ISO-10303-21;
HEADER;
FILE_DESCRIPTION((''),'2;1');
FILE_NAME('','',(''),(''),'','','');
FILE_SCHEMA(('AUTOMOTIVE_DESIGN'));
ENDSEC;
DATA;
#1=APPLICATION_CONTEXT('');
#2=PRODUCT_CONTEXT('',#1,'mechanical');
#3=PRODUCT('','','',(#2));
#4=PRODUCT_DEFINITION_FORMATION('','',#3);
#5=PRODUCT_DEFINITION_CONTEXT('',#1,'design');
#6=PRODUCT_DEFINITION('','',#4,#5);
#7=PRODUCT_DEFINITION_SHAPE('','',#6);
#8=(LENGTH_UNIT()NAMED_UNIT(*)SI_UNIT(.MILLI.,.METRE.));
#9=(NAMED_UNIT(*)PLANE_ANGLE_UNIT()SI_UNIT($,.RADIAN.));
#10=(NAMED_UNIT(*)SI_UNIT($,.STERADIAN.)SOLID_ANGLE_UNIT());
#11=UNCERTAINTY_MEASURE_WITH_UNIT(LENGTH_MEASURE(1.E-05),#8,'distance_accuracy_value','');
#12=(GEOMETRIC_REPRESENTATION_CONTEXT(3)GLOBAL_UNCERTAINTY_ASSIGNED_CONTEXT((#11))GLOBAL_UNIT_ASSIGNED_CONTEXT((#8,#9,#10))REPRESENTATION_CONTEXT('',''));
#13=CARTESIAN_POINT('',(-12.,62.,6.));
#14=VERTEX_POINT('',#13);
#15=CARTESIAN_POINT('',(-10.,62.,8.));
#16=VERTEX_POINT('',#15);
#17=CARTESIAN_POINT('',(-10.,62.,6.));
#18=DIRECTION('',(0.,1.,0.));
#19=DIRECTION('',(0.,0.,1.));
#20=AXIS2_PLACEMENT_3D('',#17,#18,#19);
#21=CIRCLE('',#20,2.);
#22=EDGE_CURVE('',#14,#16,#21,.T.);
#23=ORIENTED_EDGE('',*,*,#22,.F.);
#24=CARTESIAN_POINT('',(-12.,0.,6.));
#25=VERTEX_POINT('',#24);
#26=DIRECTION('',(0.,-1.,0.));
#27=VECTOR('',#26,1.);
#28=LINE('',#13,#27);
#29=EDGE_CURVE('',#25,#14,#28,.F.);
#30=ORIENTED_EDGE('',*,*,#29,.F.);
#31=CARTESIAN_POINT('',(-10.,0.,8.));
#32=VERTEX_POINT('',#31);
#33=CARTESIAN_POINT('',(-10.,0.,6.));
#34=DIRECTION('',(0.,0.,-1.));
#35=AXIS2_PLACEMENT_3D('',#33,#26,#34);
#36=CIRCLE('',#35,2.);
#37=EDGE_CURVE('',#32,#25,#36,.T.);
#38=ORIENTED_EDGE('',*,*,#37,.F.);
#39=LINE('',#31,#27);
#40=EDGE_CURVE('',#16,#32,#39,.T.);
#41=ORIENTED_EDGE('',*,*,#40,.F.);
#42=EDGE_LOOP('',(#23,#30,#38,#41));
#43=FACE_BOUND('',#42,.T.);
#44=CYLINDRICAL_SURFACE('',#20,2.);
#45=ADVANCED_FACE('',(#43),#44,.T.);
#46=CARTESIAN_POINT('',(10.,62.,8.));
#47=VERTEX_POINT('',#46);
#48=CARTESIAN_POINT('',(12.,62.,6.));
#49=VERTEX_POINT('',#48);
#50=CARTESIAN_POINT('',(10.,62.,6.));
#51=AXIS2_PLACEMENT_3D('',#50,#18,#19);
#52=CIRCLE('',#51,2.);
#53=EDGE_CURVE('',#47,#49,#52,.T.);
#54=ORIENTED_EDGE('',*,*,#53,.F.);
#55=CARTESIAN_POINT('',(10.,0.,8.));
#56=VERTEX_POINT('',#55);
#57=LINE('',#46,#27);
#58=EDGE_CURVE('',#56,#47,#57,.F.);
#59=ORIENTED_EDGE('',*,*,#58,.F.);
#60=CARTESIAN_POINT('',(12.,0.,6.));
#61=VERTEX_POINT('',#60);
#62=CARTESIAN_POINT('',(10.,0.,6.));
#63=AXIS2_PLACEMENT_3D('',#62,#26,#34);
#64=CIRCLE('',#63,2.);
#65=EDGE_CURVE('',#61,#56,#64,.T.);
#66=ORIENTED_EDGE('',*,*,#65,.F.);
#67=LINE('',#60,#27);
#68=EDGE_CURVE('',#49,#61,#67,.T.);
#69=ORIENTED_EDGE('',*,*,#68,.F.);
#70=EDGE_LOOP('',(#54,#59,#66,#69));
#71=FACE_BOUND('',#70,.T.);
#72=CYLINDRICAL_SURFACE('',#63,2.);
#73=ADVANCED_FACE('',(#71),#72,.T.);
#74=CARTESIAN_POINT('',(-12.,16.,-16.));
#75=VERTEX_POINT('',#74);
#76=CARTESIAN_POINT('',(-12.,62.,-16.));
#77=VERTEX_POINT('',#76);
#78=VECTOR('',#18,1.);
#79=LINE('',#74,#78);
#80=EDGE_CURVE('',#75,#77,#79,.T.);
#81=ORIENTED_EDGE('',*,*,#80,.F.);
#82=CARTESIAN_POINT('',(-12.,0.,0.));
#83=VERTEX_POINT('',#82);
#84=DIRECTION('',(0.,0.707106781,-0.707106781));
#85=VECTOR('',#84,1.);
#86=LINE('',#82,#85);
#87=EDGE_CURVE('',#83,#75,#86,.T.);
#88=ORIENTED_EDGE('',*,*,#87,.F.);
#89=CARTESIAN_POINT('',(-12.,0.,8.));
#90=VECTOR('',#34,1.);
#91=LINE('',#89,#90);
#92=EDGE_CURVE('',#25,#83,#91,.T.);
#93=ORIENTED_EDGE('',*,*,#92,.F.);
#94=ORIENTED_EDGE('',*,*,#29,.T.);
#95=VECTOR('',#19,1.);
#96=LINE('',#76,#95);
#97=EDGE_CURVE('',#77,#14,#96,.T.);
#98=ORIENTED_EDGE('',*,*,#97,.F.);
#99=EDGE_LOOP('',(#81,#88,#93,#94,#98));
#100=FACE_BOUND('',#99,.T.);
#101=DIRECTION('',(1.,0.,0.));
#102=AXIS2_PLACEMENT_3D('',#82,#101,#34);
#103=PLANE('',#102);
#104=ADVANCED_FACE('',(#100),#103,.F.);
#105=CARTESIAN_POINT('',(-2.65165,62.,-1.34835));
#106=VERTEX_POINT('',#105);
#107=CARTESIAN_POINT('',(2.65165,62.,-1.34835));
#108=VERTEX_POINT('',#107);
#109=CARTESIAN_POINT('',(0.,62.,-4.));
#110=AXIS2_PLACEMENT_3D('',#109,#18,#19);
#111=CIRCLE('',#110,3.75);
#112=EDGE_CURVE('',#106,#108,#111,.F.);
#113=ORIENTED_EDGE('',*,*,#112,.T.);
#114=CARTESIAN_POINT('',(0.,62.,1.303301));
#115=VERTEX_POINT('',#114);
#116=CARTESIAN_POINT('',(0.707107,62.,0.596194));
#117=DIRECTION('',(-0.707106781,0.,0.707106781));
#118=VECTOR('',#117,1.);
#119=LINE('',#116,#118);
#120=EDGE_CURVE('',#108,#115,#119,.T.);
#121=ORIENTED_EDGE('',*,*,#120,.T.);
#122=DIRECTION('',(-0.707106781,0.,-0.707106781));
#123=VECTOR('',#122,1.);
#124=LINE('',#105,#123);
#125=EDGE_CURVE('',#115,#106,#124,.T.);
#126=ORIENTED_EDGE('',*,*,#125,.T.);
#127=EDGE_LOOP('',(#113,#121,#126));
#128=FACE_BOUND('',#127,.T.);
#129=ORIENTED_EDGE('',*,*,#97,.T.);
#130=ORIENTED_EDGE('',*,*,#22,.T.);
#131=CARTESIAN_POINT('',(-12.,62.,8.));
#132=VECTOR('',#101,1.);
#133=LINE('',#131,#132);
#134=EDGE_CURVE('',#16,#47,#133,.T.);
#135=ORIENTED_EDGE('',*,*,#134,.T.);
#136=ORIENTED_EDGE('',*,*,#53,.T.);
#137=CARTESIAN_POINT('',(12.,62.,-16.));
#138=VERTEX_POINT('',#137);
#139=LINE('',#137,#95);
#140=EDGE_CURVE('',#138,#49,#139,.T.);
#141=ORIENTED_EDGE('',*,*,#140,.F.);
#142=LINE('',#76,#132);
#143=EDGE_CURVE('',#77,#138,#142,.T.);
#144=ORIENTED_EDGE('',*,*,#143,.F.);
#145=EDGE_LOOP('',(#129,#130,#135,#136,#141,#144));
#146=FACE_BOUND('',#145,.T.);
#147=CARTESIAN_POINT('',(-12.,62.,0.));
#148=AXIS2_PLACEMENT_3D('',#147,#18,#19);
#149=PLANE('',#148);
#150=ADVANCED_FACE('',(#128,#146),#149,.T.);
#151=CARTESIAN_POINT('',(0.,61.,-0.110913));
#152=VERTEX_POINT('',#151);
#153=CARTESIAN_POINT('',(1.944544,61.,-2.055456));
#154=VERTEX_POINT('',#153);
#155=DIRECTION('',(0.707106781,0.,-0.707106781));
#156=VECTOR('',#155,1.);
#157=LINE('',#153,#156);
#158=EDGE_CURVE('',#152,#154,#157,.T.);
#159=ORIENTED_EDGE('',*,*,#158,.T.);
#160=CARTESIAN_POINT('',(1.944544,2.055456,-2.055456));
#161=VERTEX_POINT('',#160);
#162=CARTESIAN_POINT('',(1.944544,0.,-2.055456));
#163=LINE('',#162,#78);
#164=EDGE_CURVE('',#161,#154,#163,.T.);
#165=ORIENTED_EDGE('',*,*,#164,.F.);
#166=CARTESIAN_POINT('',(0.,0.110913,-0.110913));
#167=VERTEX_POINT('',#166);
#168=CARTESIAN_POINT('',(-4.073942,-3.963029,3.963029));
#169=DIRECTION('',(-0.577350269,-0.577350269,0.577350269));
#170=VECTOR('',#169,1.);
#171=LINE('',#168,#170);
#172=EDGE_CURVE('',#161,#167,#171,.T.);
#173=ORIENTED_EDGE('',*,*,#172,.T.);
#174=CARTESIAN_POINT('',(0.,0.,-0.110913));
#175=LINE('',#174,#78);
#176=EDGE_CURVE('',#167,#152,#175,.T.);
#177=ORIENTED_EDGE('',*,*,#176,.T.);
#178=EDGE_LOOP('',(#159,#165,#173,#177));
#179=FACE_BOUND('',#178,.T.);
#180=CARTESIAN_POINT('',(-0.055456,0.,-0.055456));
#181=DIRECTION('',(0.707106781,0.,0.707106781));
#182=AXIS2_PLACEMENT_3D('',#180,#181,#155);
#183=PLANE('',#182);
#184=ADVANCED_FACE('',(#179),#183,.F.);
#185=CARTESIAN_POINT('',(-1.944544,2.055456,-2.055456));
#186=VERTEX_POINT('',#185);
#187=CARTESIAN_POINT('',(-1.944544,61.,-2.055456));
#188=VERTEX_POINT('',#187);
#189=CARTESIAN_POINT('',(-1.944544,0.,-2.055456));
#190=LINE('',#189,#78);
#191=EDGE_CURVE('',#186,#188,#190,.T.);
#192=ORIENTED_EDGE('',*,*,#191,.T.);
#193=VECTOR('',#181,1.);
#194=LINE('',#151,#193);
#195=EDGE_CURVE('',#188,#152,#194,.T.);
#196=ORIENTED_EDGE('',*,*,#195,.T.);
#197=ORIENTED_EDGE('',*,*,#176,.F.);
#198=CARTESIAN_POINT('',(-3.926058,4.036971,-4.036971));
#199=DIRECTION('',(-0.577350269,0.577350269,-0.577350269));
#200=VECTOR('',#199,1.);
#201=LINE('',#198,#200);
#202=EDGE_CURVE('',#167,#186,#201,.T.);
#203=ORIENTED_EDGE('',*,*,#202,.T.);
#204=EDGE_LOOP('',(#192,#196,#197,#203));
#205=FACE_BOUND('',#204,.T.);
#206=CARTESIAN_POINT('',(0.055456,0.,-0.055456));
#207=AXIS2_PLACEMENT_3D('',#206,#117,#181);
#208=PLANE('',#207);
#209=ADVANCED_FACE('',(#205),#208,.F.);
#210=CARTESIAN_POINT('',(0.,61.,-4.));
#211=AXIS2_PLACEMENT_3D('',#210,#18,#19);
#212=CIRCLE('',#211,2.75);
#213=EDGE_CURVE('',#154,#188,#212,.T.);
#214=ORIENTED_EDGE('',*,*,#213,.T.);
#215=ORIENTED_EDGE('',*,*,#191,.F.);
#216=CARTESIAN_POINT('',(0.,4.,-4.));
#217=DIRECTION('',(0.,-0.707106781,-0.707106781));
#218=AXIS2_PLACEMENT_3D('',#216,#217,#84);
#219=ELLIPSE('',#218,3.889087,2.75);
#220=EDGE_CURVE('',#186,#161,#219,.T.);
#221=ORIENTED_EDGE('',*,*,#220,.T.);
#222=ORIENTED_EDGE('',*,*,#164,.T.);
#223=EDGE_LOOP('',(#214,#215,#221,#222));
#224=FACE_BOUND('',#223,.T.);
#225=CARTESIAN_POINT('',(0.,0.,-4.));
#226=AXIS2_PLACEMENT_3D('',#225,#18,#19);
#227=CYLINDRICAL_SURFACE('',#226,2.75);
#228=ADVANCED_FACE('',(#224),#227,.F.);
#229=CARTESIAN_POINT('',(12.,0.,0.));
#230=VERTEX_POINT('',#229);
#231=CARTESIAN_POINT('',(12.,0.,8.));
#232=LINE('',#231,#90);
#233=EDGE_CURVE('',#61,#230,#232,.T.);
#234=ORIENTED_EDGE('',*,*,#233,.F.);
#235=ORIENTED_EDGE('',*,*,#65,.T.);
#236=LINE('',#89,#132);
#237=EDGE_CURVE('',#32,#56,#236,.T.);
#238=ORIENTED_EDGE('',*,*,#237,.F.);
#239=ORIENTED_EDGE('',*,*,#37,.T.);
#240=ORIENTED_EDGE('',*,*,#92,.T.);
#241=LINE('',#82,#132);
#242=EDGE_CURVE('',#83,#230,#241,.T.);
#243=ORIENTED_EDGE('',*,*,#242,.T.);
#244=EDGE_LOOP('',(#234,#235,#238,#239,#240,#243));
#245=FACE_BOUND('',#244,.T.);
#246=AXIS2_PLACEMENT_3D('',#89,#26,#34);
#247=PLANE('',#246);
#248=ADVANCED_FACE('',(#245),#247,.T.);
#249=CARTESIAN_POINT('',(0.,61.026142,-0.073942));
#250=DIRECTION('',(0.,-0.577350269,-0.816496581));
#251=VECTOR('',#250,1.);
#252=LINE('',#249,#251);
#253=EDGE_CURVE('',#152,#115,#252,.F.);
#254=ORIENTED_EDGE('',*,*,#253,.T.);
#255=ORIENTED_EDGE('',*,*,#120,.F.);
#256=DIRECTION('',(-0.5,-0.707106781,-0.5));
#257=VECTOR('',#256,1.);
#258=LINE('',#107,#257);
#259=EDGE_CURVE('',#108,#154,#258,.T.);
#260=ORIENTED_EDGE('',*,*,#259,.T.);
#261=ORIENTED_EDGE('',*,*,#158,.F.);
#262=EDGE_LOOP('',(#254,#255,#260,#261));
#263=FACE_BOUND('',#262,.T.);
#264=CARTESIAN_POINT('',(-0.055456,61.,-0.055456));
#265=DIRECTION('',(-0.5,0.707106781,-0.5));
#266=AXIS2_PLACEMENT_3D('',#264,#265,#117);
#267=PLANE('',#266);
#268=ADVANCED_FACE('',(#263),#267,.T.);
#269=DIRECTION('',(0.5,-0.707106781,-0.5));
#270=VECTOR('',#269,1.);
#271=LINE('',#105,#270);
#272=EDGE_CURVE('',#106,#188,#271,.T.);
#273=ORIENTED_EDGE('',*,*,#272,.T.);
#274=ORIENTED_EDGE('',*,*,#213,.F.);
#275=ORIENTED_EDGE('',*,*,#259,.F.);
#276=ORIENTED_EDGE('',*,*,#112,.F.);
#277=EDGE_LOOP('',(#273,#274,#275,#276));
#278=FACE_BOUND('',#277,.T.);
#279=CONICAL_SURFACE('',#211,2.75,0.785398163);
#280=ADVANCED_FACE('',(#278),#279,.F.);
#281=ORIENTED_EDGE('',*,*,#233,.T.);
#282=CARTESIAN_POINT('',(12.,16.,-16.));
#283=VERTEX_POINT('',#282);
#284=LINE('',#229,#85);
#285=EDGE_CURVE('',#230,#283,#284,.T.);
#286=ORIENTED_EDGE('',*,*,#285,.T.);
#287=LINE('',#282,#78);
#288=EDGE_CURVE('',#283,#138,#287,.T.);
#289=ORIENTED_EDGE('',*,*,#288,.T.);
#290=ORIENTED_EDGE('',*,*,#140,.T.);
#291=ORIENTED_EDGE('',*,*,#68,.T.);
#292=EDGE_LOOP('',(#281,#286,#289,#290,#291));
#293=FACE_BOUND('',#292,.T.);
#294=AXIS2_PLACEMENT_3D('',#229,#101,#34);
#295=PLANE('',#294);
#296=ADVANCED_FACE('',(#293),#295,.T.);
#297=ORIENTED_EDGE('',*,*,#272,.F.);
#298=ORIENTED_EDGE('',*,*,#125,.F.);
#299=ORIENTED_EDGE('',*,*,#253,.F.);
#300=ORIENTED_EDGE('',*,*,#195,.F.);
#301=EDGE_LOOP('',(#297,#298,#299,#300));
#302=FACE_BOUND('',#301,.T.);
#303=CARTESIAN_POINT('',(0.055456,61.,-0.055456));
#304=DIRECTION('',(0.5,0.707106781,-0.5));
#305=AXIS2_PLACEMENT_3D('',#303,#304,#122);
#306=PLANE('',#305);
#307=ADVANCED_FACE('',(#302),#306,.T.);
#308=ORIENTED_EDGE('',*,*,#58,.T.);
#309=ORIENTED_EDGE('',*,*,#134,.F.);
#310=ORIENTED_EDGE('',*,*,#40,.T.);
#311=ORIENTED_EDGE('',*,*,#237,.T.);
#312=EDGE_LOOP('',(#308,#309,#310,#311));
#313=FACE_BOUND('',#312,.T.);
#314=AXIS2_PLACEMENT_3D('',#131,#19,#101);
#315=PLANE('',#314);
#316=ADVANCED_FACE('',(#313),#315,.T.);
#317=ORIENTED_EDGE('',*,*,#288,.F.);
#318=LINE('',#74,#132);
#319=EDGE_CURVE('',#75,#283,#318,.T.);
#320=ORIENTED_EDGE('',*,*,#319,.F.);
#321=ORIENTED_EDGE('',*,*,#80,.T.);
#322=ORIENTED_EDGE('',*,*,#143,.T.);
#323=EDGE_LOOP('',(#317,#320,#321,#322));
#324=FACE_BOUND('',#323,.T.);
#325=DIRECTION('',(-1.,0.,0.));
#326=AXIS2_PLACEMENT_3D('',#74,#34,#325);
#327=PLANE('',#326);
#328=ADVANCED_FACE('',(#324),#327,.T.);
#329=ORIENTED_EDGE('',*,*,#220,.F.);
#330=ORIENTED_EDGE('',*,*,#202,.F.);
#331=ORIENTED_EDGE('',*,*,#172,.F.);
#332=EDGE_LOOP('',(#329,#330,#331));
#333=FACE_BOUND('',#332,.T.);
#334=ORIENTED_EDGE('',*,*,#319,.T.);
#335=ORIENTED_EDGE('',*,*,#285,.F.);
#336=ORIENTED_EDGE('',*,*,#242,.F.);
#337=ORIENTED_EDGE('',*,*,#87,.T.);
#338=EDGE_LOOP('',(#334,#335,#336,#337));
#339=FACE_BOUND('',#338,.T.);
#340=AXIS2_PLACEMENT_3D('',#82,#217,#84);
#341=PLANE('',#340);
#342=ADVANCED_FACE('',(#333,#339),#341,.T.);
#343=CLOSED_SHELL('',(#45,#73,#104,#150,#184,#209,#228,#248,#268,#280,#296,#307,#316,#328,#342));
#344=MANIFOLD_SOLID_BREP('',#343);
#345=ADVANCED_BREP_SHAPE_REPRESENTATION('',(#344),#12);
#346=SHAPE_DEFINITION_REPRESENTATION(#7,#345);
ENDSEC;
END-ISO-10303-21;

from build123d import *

# Parameters (mm, degrees)
BOSS_EXTRUDE1_DEPTH      = 12
BOSS_EXTRUDE1_DEPTH_BACK = 12
FILLET1_R                = 2
CUT_EXTRUDE1_DEPTH       = 66.1459899
CHAMFER1_SIZE            = 1


with BuildPart() as part:
    # Sketch3 → Boss-Extrude1 (new, two sides: drawn at the far end of the back side and taken through both)
    with BuildSketch(Plane(origin=(0, 0, 0), x_dir=(0, 0, -1), z_dir=(1, 0, 0)).offset(-BOSS_EXTRUDE1_DEPTH_BACK)):
        Polygon((0, 62), (-8, 62), (-8, 0), (0, 0), (16, 16), (16, 62), align=None)
    extrude(amount=BOSS_EXTRUDE1_DEPTH + BOSS_EXTRUDE1_DEPTH_BACK)

    # Fillet1
    fillet1_edges = [part.edges().sort_by_distance(p)[0] for p in [
        (-12, 31, 8),
        (12, 31, 8),
    ]]
    fillet(fillet1_edges, radius=FILLET1_R)

    # Sketch4 → Cut-Extrude1 (cut, through all)
    with BuildSketch(Plane(origin=(0, 62, 0), x_dir=(1, 0, 0), z_dir=(0, 1, 0))):
        with BuildLine():
            Line((0, 0.110912703), (1.944543648, 2.055456352))
            ThreePointArc((1.944543648, 2.055456352), (0, 6.75), (-1.944543648, 2.055456352))
            Line((-1.944543648, 2.055456352), (0, 0.110912703))
        make_face()
    extrude(amount=-CUT_EXTRUDE1_DEPTH, mode=Mode.SUBTRACT)

    # Chamfer1
    chamfer1_edges = [part.edges().sort_by_distance(p)[0] for p in [
        (0.972271824, 62, -1.083184528),
        (-0.972271824, 62, -1.083184528),
        (0, 62, -6.75),
    ]]
    chamfer(chamfer1_edges, length=CHAMFER1_SIZE)


solid = part.part
